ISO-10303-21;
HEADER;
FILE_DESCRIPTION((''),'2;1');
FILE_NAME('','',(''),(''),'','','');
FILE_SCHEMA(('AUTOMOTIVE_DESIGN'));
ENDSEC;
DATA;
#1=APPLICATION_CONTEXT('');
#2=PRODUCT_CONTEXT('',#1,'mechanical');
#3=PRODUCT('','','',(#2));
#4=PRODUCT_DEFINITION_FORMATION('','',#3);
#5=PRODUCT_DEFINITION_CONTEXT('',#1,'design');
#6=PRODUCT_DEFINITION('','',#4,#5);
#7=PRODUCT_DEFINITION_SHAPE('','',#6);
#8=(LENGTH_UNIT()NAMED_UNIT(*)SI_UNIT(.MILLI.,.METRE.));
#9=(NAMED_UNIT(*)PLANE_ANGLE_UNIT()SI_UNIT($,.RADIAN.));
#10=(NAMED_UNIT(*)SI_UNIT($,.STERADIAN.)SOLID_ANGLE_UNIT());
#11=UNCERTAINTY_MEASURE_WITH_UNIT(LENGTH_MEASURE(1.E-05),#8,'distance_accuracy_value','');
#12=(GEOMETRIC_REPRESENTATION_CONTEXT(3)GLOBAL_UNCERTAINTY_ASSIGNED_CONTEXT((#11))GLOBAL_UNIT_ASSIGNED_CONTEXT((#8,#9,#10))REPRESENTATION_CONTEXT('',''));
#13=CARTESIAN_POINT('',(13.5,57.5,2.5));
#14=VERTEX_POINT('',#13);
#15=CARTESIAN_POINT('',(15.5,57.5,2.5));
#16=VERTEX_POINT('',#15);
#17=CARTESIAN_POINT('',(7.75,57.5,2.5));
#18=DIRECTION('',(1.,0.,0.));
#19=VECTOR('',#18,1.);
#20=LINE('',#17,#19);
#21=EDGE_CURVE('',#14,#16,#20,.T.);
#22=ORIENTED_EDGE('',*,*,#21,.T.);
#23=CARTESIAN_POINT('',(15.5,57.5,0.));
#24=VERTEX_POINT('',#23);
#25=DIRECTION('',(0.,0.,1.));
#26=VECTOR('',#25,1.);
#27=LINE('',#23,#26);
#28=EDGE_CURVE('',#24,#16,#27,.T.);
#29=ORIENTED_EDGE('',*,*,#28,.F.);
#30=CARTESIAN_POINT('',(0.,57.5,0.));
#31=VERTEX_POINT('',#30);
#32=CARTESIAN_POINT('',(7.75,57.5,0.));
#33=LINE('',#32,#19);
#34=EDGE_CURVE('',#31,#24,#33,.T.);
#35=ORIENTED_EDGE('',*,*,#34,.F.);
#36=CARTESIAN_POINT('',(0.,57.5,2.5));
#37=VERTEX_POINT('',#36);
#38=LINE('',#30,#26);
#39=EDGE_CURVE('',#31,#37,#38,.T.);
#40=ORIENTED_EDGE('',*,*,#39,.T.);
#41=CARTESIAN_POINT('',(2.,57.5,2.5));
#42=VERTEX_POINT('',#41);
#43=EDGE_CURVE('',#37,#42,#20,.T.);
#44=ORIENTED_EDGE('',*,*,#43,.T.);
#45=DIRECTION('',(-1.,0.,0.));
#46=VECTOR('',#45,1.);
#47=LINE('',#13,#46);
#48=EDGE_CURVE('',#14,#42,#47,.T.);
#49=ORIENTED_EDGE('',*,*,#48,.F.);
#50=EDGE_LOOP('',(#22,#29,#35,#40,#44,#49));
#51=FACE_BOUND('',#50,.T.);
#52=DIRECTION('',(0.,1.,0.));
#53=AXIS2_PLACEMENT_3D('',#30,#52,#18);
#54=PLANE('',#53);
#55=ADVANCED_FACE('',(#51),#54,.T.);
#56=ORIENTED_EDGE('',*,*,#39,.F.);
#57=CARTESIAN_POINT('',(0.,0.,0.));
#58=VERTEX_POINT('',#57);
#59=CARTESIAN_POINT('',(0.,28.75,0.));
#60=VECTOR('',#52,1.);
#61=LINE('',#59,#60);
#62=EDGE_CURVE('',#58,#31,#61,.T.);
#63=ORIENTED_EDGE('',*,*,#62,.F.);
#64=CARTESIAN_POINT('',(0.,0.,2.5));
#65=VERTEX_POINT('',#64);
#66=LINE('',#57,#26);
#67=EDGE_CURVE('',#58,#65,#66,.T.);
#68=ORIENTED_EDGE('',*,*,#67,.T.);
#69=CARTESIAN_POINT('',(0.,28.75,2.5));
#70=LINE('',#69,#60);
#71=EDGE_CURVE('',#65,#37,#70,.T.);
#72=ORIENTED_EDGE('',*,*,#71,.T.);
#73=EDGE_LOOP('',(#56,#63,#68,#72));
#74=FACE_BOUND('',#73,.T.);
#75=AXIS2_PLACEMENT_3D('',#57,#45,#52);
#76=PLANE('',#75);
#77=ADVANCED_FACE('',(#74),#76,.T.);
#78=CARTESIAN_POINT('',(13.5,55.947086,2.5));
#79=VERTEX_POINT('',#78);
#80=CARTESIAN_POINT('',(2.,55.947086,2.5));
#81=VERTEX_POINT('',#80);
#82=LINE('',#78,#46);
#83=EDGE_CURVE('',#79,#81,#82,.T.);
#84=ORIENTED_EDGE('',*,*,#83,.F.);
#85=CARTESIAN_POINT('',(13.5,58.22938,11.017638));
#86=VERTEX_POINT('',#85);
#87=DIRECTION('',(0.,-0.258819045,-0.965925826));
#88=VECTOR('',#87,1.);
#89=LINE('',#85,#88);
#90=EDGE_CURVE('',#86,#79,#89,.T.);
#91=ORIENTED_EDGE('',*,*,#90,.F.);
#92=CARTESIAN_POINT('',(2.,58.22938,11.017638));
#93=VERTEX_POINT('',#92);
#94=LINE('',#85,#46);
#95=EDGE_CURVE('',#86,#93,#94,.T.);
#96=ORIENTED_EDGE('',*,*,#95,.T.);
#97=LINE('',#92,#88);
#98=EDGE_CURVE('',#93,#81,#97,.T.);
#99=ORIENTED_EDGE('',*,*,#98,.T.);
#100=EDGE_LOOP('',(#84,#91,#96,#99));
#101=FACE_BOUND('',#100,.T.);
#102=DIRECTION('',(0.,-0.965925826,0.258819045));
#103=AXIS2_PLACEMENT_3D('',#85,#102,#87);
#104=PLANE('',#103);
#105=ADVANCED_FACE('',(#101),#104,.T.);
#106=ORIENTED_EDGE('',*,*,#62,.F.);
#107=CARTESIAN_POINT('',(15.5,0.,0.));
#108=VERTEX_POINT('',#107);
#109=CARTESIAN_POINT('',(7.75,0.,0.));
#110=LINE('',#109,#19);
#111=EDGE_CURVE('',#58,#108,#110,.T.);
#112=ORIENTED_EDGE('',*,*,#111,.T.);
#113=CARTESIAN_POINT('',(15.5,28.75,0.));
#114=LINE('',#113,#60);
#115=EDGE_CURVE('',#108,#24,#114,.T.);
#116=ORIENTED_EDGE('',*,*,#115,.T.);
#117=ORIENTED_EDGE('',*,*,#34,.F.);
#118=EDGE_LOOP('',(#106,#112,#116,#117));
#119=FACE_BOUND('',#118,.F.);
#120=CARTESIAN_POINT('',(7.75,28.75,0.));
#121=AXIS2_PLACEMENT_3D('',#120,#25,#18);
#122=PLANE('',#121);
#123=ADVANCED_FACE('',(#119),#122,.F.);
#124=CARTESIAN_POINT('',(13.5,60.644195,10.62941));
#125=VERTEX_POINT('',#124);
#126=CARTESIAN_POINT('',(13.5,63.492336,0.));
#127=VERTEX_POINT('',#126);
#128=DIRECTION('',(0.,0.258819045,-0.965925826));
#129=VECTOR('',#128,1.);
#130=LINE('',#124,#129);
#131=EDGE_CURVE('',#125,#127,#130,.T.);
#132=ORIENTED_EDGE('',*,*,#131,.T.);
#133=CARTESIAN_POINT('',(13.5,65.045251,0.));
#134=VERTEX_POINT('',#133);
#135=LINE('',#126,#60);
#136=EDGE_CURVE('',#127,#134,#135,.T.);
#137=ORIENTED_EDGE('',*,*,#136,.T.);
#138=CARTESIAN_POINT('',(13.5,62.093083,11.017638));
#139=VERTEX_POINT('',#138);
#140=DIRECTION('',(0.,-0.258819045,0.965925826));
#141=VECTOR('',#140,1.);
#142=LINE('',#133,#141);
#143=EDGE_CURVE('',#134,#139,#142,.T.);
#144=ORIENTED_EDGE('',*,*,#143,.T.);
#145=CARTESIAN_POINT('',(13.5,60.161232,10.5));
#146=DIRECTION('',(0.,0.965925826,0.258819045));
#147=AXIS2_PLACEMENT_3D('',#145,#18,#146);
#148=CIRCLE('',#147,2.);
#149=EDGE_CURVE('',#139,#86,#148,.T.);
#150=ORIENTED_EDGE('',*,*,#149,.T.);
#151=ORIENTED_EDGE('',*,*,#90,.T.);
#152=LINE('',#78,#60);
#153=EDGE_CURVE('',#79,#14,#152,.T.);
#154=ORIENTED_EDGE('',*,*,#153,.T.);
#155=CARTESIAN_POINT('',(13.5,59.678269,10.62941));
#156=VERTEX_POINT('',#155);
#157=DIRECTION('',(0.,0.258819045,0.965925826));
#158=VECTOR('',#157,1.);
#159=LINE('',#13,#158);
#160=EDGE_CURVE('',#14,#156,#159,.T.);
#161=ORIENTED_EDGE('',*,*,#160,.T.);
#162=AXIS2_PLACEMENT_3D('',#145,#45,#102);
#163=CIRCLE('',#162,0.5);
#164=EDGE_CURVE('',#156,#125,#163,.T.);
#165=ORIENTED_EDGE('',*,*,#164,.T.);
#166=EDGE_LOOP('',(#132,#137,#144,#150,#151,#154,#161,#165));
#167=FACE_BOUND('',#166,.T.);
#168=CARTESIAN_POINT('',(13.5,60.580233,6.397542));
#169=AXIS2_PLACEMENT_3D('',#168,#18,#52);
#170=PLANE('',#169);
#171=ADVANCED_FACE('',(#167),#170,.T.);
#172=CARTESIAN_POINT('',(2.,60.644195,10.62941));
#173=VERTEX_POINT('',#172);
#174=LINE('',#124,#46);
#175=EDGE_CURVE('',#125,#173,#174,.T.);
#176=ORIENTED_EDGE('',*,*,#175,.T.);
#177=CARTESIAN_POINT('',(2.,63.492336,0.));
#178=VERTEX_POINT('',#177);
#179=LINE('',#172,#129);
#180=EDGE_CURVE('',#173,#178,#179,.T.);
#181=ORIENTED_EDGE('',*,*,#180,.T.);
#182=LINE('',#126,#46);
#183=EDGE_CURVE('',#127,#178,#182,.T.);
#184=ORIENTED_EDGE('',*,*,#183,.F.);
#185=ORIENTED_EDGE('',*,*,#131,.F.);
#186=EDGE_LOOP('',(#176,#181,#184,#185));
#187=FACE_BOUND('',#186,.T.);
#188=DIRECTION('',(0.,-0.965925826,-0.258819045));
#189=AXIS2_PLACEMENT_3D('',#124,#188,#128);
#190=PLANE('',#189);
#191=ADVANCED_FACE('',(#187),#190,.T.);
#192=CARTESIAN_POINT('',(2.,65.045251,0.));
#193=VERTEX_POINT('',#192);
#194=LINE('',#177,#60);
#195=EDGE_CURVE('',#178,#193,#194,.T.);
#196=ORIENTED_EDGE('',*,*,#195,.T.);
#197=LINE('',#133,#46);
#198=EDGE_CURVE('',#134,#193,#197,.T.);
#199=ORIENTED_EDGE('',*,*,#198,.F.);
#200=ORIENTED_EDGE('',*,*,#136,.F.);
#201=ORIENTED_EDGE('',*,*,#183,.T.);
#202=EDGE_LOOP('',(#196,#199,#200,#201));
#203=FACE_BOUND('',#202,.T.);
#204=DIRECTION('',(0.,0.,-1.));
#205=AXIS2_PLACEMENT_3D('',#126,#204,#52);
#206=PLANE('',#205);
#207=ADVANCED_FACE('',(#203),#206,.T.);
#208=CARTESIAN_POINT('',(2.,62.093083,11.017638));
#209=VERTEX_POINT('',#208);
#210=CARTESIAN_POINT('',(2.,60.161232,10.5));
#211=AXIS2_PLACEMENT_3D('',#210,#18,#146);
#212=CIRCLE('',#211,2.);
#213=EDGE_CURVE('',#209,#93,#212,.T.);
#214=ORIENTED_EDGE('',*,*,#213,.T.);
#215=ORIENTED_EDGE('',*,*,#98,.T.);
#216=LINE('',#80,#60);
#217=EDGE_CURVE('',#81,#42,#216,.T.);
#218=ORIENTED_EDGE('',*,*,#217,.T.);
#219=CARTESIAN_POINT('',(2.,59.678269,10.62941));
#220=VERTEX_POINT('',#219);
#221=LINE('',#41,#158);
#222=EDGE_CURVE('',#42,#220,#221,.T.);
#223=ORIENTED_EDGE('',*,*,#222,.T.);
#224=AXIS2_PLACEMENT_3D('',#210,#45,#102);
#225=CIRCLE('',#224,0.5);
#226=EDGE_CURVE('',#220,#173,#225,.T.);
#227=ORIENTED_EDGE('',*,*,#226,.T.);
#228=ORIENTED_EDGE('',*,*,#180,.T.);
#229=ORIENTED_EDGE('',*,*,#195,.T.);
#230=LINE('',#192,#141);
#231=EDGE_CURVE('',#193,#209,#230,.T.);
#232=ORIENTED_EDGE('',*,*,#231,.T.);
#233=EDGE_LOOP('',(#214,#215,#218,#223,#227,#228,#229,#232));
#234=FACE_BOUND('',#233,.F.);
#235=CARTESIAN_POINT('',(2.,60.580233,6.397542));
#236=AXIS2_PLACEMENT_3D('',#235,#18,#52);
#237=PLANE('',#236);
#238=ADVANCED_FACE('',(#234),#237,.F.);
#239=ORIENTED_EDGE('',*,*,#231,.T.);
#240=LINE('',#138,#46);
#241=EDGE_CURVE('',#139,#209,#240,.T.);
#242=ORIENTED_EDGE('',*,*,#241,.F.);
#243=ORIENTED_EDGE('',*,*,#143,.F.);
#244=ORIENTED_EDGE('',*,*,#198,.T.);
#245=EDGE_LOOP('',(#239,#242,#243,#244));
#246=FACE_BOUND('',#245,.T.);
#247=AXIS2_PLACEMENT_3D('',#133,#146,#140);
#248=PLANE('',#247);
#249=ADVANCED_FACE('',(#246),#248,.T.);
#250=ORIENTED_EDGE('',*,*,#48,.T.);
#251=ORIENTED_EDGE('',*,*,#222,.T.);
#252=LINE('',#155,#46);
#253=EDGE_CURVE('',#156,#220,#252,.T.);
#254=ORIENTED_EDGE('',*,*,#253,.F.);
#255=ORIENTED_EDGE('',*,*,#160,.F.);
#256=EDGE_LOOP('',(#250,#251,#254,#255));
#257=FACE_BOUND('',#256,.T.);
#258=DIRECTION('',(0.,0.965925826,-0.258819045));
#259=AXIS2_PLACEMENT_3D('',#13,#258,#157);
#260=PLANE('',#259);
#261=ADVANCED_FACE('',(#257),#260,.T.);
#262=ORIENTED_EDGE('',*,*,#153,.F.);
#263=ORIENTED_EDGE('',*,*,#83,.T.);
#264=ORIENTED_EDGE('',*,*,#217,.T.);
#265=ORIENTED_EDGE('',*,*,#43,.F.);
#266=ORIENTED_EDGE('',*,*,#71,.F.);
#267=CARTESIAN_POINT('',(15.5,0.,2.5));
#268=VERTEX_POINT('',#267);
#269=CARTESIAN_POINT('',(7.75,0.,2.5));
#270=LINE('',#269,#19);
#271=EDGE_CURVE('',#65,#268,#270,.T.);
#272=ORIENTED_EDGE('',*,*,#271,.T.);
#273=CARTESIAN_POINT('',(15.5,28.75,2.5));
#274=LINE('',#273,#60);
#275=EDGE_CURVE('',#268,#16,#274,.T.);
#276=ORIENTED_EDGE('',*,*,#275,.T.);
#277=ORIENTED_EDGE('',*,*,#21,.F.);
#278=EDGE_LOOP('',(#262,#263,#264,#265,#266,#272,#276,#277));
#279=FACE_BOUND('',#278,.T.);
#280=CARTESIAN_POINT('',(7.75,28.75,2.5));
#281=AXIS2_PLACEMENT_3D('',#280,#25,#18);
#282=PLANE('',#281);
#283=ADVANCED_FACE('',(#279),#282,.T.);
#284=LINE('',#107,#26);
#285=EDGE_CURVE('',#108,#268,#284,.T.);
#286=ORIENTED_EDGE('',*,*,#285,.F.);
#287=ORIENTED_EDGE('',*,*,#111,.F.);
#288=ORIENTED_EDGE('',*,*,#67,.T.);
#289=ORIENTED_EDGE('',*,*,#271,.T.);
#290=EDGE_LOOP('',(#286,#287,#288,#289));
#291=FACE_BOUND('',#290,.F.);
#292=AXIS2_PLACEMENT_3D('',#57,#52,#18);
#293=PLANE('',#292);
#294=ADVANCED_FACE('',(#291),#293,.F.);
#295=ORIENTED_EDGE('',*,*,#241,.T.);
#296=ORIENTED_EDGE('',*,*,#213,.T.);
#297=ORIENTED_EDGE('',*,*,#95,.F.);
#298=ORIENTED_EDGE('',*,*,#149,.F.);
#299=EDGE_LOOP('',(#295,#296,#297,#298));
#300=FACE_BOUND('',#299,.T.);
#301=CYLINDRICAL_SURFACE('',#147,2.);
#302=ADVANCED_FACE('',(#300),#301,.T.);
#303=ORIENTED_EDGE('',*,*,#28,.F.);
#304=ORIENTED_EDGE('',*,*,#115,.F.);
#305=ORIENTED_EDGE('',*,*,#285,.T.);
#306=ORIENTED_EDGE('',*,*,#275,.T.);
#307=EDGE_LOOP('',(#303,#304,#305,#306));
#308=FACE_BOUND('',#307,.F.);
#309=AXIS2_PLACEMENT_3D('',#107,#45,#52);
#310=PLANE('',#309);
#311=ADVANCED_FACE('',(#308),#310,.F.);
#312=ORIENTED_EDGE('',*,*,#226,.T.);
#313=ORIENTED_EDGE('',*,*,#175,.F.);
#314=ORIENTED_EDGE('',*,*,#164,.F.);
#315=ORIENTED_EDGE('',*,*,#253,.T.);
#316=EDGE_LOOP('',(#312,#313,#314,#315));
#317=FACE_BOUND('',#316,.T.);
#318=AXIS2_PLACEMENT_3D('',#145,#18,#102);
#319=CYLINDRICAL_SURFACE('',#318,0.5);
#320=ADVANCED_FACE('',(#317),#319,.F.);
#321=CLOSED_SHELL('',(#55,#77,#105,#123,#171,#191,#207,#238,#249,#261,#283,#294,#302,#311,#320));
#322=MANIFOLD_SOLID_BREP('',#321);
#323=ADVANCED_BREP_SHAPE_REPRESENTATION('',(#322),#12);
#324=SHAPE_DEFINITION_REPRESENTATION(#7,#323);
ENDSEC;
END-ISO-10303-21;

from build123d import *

# Parameters (mm, degrees)
F0_W     = 15.5
F0_H     = 57.5
F1_DEPTH = 2.5
F3_START = -2
F3_DEPTH = 11.5


with BuildPart() as f1:
    # F0 (on Top) → F1 (new body)
    with BuildSketch(Plane.XY):
        with Locations((7.75, 28.75)):
            Rectangle(F0_W, F0_H)
    extrude(amount=F1_DEPTH)

    # F2 (on face) → F3 (join)
    with BuildSketch(Plane.YZ.offset(15.5).offset(F3_START)):
        with BuildLine():
            Line((55.9470857294, 2.5), (57.5, 2.5))
            Line((57.5, 2.5), (59.6782687165, 10.6294095226))
            ThreePointArc((59.6782687165, 10.6294095226), (60.1612316297, 11), (60.6441945428, 10.6294095226))
            Line((60.6441945428, 10.6294095226), (63.4923362404, 0))
            Line((63.4923362404, 0), (65.045250511, 0))
            Line((65.045250511, 0), (62.0930832822, 11.0176380902))
            ThreePointArc((62.0930832822, 11.0176380902), (60.1612316297, 12.5), (58.2293799771, 11.0176380902))
            Line((58.2293799771, 11.0176380902), (55.9470857294, 2.5))
        make_face()
    extrude(amount=-F3_DEPTH)


solid = f1.part
